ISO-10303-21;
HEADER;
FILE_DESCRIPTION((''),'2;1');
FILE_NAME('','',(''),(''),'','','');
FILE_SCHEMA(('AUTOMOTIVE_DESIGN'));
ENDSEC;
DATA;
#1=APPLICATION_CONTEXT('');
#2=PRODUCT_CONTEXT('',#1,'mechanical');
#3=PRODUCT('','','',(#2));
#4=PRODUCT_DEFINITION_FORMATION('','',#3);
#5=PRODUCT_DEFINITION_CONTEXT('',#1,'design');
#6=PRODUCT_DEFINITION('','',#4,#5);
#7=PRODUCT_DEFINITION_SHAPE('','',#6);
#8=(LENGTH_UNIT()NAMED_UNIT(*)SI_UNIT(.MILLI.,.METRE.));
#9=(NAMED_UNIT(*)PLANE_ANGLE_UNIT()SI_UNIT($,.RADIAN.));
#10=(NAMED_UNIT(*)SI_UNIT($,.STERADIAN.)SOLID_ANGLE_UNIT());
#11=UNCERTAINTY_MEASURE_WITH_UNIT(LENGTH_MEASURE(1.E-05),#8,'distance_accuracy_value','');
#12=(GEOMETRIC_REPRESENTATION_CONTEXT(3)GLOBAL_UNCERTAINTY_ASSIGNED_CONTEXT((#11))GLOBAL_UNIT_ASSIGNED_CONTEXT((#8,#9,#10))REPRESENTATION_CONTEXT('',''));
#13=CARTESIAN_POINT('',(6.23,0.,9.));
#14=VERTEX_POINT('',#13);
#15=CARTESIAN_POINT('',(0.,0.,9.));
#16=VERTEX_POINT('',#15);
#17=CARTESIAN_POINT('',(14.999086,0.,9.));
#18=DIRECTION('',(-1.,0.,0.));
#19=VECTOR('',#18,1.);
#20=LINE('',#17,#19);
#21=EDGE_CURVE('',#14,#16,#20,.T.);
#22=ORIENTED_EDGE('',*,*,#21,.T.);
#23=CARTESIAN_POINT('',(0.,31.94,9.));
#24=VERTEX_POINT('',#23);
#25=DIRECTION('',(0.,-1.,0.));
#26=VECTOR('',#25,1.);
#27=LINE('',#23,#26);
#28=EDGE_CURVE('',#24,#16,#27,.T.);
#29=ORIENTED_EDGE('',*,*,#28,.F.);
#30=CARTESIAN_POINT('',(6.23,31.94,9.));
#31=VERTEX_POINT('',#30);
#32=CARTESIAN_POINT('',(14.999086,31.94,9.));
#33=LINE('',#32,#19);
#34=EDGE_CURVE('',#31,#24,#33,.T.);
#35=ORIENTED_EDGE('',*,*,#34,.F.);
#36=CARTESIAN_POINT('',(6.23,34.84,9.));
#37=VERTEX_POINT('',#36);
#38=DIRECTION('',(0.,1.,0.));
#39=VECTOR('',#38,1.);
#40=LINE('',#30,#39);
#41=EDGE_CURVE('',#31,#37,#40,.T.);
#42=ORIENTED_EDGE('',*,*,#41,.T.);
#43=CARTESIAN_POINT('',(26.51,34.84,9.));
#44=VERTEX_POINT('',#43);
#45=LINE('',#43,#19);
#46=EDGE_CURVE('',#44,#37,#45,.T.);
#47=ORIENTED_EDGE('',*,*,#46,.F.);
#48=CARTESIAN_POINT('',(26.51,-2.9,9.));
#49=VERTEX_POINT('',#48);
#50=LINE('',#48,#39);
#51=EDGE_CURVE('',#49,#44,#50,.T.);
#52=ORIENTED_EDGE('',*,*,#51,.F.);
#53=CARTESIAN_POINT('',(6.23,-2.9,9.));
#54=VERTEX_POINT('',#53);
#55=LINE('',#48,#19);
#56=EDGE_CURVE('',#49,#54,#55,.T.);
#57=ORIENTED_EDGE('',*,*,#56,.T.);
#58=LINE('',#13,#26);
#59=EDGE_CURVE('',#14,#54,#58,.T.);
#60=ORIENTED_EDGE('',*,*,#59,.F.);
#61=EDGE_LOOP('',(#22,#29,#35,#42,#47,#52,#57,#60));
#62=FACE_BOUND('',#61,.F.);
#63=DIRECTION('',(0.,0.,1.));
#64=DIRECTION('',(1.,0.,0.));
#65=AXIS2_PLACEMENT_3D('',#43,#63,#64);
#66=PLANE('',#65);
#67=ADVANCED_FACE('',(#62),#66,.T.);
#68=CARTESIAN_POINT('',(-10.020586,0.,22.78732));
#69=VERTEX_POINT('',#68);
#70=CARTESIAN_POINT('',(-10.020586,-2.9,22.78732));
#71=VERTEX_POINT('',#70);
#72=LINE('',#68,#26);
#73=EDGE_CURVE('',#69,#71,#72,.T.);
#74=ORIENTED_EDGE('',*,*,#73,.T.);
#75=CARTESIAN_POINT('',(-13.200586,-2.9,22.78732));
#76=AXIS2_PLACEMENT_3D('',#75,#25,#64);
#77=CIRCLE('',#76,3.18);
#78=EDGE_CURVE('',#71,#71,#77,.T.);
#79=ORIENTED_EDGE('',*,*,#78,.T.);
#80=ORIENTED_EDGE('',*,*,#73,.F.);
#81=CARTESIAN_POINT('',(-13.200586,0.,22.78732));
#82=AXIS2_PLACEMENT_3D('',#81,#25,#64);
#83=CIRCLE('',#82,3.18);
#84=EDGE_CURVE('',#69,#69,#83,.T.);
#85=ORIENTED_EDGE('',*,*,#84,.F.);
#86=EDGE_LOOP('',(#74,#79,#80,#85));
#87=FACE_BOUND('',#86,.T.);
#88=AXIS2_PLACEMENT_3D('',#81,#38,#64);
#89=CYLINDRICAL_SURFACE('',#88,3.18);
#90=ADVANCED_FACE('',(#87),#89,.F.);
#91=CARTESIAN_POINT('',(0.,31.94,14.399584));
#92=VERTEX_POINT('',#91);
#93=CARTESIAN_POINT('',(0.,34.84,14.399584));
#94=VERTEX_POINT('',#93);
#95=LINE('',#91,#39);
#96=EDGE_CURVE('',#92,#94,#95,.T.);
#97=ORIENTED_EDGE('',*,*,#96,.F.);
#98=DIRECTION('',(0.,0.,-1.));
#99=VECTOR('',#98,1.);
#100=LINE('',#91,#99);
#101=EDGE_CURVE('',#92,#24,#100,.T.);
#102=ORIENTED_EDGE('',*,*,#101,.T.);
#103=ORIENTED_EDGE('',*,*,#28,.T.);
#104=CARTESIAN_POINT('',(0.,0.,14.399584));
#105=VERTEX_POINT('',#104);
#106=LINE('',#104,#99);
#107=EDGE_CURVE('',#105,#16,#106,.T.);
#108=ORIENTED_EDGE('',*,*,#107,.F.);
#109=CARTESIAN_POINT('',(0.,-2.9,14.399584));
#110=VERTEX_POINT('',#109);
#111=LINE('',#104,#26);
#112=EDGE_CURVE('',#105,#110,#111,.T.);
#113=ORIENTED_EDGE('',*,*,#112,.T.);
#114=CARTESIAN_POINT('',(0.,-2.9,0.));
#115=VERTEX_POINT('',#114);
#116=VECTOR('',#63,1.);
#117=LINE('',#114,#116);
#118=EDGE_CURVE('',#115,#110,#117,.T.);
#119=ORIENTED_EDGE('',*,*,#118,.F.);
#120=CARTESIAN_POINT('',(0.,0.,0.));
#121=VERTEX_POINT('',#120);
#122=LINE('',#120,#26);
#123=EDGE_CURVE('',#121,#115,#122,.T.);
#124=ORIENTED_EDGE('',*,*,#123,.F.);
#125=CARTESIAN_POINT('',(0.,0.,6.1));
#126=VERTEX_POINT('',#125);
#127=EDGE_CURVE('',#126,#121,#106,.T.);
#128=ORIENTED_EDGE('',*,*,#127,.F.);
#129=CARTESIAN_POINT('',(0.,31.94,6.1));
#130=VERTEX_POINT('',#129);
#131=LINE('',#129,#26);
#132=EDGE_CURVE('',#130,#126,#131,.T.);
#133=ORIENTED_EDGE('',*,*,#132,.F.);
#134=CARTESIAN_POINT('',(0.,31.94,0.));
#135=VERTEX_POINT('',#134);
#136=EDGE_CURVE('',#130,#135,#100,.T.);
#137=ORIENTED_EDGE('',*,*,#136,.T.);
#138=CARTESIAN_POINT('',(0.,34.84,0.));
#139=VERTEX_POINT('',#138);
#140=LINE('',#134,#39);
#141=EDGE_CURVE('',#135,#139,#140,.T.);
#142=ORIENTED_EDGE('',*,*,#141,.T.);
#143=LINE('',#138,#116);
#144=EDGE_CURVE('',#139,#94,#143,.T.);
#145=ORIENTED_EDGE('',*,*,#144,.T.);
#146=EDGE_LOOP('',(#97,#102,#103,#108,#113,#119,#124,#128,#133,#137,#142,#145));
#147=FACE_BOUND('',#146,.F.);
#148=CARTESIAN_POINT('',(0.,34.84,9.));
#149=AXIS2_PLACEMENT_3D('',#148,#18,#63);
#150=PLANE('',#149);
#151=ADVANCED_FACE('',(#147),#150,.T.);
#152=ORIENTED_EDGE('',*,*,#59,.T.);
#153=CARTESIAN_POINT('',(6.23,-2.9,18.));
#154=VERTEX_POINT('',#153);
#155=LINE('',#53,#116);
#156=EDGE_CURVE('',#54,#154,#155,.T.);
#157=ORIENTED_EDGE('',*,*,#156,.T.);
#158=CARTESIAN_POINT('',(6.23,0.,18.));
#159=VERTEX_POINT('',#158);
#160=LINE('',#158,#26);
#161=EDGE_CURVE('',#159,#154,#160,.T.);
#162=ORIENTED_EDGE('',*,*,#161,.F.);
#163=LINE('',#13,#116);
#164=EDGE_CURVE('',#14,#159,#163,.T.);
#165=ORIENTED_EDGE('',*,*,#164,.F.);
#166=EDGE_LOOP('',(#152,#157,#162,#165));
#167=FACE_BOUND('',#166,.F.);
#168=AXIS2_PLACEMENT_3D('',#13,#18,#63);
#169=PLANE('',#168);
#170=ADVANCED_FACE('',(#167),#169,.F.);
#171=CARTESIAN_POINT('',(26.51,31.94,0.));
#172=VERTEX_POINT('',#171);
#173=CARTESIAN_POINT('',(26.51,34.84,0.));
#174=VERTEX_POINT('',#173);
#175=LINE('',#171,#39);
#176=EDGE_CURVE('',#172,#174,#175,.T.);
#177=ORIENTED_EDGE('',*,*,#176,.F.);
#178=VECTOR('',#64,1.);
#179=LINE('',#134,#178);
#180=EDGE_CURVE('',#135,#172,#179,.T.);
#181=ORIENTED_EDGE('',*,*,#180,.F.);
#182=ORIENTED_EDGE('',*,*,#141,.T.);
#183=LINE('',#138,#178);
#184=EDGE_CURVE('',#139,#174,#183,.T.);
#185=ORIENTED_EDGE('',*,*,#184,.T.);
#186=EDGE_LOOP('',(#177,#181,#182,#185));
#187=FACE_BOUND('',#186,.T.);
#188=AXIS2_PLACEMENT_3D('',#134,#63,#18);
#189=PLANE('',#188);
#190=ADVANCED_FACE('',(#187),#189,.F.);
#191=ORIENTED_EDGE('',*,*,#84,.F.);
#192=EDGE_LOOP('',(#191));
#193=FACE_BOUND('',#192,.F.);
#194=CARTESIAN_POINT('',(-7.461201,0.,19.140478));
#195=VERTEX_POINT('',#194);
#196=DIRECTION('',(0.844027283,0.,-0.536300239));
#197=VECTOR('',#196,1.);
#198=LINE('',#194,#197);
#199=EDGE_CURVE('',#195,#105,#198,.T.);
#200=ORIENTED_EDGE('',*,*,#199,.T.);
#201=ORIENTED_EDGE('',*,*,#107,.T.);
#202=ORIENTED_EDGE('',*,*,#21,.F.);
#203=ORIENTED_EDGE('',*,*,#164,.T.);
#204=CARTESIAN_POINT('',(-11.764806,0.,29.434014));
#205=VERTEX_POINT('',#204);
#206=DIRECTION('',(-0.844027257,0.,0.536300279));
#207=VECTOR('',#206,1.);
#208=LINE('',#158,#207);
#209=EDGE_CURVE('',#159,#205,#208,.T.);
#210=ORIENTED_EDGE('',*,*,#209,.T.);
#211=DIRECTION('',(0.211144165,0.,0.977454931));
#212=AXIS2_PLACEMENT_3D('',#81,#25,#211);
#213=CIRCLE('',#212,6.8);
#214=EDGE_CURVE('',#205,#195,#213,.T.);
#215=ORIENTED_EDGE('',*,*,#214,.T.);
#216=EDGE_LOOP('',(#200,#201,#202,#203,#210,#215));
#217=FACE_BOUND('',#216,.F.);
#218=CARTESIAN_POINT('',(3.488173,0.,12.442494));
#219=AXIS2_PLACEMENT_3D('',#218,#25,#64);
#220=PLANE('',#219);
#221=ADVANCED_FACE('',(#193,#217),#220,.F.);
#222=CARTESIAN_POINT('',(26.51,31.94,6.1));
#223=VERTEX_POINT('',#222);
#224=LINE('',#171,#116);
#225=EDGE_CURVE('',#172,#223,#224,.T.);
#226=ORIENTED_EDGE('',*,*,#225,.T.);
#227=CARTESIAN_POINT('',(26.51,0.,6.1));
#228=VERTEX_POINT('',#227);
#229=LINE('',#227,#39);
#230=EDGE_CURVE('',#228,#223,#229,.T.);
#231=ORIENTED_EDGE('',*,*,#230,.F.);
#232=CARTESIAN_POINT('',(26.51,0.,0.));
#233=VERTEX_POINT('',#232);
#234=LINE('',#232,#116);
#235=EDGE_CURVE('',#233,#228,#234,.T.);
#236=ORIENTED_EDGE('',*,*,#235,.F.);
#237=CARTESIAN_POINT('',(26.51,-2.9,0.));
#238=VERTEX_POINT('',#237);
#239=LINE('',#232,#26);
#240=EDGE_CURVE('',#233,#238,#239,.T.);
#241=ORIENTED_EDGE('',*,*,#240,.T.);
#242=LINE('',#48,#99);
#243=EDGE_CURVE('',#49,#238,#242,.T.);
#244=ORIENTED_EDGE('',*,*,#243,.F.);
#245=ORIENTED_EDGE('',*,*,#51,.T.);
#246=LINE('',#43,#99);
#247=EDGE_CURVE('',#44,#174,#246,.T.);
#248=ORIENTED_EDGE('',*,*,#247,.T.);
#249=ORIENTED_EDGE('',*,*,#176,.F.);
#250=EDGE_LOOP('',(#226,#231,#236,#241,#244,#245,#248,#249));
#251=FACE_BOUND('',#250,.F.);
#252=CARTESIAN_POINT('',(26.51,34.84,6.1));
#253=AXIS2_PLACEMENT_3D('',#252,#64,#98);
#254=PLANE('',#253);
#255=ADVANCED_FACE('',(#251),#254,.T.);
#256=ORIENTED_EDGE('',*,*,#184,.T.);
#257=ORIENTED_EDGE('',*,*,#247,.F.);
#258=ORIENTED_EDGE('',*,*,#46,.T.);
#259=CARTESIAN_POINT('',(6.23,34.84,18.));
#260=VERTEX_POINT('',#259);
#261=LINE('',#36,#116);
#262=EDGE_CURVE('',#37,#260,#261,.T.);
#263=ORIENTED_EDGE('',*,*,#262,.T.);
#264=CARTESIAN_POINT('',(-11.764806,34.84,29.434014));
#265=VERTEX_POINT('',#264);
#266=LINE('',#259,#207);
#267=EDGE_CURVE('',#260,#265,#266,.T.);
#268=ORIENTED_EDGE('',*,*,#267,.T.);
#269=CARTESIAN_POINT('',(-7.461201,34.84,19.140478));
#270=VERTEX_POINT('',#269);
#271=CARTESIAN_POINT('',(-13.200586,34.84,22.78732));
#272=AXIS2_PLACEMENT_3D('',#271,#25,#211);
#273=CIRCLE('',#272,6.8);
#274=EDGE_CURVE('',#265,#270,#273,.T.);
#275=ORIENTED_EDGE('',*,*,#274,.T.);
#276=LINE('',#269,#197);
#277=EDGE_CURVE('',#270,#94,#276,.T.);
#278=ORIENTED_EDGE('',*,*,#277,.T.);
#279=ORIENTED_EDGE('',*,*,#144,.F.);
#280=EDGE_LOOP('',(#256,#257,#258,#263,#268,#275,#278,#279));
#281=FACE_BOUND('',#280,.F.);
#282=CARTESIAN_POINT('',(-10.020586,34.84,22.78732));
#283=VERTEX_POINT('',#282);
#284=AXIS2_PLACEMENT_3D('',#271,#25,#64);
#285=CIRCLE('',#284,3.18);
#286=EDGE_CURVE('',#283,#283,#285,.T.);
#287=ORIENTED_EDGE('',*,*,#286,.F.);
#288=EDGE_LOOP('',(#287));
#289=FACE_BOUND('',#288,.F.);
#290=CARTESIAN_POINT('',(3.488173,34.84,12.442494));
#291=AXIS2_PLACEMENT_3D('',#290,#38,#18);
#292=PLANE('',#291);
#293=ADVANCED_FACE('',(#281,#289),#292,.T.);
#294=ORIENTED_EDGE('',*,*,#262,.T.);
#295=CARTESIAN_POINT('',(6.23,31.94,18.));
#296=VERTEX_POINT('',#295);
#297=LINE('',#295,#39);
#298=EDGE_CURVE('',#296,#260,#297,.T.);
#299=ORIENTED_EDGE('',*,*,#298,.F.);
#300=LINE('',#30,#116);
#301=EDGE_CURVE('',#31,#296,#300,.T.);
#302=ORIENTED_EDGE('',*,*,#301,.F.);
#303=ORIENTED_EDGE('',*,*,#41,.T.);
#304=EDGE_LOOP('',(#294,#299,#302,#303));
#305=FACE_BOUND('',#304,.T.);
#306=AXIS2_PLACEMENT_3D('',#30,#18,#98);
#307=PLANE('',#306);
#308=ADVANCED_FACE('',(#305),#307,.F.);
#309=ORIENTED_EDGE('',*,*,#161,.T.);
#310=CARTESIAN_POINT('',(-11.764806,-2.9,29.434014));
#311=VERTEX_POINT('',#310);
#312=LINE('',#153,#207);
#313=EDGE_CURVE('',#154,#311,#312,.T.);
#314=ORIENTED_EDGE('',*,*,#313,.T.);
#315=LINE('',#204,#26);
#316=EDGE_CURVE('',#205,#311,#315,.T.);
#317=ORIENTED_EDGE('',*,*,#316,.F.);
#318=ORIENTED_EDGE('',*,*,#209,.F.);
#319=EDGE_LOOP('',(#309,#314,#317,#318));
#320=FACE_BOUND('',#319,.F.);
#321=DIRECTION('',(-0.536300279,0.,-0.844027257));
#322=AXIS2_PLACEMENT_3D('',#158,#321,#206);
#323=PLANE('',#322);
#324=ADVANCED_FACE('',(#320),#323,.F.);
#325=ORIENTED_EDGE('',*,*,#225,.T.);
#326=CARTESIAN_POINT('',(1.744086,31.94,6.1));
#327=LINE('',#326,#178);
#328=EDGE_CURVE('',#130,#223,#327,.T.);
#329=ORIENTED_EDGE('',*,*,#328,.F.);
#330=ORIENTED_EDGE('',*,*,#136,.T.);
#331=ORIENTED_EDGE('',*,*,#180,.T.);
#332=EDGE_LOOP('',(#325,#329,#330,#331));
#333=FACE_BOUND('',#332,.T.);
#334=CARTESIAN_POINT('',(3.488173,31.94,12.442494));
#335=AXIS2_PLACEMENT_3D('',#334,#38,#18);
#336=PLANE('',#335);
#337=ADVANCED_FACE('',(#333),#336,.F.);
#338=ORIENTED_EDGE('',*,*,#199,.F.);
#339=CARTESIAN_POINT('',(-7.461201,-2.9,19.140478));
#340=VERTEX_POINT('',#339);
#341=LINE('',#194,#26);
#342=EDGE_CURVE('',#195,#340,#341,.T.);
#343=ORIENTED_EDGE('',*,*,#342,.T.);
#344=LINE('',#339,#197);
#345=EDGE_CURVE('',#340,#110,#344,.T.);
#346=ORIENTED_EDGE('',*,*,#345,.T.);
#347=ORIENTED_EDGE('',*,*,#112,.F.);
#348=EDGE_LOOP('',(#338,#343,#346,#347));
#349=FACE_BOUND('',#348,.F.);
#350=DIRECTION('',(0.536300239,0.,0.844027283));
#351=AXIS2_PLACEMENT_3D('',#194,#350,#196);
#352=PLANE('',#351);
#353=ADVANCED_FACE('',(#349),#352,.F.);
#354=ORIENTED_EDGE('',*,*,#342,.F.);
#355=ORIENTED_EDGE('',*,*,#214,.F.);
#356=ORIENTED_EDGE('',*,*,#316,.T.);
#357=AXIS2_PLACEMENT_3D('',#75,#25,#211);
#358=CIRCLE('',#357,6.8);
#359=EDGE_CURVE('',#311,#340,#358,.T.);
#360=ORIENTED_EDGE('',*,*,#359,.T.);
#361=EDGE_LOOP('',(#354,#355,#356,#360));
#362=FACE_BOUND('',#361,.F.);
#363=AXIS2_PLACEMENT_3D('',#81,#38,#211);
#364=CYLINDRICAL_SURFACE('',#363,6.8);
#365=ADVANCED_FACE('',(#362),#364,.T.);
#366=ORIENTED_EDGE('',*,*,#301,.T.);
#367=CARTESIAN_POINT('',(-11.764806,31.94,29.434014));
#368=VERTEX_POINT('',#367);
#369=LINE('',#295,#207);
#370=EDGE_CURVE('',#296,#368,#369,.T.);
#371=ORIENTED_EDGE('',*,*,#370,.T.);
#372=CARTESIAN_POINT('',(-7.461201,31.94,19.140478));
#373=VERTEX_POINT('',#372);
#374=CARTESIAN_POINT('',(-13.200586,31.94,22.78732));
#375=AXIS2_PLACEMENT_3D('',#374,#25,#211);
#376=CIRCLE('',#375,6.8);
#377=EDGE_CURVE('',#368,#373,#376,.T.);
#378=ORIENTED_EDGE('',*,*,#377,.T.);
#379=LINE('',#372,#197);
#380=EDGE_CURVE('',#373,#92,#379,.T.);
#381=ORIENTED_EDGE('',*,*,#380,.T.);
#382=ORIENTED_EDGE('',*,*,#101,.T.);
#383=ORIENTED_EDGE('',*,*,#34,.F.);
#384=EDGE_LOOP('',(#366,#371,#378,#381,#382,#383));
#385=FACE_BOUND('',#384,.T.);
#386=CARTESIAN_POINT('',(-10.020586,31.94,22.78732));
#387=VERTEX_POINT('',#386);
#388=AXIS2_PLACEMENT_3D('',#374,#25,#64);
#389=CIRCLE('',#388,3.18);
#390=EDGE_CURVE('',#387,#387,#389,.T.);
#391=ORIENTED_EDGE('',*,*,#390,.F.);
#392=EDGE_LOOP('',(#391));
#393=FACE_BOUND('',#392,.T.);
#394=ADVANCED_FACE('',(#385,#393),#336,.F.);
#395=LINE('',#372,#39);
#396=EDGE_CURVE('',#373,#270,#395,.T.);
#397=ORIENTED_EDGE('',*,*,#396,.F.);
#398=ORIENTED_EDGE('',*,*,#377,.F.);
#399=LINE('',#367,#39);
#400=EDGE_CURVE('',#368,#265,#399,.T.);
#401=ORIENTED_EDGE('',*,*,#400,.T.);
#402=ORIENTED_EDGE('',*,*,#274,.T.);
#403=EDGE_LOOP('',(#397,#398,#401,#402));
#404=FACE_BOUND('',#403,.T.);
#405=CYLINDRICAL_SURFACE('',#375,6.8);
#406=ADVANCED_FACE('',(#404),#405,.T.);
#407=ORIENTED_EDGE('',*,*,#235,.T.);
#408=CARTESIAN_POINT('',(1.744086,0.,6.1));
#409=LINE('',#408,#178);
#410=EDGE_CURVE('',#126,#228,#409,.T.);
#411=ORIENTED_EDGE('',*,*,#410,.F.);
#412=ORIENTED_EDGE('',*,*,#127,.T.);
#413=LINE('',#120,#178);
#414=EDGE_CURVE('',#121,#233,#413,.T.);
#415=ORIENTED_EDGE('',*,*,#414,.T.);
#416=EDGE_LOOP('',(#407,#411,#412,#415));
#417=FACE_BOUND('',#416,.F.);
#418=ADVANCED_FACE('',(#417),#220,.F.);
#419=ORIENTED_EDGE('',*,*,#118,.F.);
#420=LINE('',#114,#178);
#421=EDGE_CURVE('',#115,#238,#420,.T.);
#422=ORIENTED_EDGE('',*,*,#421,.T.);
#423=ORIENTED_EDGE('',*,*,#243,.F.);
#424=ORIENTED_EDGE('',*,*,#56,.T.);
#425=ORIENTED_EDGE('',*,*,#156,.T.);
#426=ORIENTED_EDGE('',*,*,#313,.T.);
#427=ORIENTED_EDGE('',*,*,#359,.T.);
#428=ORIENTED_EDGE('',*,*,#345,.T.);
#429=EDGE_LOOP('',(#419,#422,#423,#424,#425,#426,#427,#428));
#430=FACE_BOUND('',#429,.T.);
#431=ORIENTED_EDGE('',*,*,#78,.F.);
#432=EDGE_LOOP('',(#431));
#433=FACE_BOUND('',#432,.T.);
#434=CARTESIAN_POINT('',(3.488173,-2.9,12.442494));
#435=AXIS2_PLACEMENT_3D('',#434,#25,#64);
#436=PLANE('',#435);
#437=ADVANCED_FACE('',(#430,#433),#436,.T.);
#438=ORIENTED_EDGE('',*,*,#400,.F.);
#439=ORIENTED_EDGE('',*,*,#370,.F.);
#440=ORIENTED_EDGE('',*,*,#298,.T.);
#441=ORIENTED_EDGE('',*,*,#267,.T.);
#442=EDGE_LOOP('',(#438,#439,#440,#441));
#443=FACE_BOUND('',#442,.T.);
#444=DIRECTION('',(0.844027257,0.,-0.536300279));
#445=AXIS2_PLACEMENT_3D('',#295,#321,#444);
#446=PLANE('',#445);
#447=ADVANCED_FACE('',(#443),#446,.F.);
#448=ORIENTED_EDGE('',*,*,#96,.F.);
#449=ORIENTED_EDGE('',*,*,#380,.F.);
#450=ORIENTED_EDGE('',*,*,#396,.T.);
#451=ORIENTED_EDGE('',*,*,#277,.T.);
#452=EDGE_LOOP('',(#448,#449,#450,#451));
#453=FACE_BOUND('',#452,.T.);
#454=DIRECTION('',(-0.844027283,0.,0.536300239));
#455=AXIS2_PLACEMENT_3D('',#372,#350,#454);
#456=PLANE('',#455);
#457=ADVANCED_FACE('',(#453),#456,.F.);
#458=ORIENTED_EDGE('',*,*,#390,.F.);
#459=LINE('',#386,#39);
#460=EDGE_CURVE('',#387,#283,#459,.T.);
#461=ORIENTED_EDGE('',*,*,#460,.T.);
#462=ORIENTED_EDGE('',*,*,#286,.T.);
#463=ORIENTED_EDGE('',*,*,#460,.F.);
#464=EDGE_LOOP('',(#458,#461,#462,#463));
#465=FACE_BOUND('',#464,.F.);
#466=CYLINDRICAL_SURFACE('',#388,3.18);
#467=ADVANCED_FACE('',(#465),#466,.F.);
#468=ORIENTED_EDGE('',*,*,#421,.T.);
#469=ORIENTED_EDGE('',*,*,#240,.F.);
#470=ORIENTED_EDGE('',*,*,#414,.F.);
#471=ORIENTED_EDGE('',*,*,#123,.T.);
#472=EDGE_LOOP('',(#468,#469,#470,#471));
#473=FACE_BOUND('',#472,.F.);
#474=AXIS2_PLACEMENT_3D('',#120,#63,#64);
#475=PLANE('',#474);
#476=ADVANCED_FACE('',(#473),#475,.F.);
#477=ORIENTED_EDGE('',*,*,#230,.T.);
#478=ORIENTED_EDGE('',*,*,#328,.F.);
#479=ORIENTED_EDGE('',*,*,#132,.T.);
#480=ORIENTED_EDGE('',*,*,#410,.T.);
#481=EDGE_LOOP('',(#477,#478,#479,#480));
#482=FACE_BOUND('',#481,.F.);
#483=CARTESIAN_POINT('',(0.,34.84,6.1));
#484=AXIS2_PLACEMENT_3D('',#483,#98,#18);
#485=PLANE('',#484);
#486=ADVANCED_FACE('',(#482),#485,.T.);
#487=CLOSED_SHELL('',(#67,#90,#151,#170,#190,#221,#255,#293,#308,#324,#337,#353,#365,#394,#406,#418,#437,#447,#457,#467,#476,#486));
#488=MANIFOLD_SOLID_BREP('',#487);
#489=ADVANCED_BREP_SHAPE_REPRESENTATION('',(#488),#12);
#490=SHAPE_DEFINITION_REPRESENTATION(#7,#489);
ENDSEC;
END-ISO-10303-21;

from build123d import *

# Parameters (mm, degrees)
F0_R     = 3.18
F1_DEPTH = 2.9
F3_DEPTH = 18.87


with BuildPart() as f1:
    # F0 (on Front) → F1 (new body)
    with BuildSketch(Plane.XZ):
        with BuildLine():
            Line((0, 0), (26.51, 0))
            Line((26.51, 0), (26.51, 9))
            Line((26.51, 9), (6.23, 9))
            Line((6.23, 9), (6.23, 18))
            Line((6.23, 18), (-11.764806, 29.434014))
            ThreePointArc((-11.764806, 29.434014), (-19.474339, 20.164339), (-7.461201, 19.140478))
            Line((-7.461201, 19.140478), (0, 14.399584))
            Line((0, 14.399584), (0, 0))
        make_face()
        with Locations((-13.200586, 22.78732)):
            Circle(F0_R, mode=Mode.SUBTRACT)
    extrude(amount=F1_DEPTH)

    # F2 (on face) → F3 (join)
    with BuildSketch(Plane.XZ.offset(2.9)):
        Polygon((26.51, 9), (6.23, 9), (0, 9), (0, 6.1), (26.51, 6.1), align=None)
    extrude(amount=-F3_DEPTH)

    # F5: F1 across plane


with BuildPart() as f1_1:
    add(f1.part)
    add(f1.part.mirror(Plane.XZ.offset(-15.97)))


solid = f1_1.part
